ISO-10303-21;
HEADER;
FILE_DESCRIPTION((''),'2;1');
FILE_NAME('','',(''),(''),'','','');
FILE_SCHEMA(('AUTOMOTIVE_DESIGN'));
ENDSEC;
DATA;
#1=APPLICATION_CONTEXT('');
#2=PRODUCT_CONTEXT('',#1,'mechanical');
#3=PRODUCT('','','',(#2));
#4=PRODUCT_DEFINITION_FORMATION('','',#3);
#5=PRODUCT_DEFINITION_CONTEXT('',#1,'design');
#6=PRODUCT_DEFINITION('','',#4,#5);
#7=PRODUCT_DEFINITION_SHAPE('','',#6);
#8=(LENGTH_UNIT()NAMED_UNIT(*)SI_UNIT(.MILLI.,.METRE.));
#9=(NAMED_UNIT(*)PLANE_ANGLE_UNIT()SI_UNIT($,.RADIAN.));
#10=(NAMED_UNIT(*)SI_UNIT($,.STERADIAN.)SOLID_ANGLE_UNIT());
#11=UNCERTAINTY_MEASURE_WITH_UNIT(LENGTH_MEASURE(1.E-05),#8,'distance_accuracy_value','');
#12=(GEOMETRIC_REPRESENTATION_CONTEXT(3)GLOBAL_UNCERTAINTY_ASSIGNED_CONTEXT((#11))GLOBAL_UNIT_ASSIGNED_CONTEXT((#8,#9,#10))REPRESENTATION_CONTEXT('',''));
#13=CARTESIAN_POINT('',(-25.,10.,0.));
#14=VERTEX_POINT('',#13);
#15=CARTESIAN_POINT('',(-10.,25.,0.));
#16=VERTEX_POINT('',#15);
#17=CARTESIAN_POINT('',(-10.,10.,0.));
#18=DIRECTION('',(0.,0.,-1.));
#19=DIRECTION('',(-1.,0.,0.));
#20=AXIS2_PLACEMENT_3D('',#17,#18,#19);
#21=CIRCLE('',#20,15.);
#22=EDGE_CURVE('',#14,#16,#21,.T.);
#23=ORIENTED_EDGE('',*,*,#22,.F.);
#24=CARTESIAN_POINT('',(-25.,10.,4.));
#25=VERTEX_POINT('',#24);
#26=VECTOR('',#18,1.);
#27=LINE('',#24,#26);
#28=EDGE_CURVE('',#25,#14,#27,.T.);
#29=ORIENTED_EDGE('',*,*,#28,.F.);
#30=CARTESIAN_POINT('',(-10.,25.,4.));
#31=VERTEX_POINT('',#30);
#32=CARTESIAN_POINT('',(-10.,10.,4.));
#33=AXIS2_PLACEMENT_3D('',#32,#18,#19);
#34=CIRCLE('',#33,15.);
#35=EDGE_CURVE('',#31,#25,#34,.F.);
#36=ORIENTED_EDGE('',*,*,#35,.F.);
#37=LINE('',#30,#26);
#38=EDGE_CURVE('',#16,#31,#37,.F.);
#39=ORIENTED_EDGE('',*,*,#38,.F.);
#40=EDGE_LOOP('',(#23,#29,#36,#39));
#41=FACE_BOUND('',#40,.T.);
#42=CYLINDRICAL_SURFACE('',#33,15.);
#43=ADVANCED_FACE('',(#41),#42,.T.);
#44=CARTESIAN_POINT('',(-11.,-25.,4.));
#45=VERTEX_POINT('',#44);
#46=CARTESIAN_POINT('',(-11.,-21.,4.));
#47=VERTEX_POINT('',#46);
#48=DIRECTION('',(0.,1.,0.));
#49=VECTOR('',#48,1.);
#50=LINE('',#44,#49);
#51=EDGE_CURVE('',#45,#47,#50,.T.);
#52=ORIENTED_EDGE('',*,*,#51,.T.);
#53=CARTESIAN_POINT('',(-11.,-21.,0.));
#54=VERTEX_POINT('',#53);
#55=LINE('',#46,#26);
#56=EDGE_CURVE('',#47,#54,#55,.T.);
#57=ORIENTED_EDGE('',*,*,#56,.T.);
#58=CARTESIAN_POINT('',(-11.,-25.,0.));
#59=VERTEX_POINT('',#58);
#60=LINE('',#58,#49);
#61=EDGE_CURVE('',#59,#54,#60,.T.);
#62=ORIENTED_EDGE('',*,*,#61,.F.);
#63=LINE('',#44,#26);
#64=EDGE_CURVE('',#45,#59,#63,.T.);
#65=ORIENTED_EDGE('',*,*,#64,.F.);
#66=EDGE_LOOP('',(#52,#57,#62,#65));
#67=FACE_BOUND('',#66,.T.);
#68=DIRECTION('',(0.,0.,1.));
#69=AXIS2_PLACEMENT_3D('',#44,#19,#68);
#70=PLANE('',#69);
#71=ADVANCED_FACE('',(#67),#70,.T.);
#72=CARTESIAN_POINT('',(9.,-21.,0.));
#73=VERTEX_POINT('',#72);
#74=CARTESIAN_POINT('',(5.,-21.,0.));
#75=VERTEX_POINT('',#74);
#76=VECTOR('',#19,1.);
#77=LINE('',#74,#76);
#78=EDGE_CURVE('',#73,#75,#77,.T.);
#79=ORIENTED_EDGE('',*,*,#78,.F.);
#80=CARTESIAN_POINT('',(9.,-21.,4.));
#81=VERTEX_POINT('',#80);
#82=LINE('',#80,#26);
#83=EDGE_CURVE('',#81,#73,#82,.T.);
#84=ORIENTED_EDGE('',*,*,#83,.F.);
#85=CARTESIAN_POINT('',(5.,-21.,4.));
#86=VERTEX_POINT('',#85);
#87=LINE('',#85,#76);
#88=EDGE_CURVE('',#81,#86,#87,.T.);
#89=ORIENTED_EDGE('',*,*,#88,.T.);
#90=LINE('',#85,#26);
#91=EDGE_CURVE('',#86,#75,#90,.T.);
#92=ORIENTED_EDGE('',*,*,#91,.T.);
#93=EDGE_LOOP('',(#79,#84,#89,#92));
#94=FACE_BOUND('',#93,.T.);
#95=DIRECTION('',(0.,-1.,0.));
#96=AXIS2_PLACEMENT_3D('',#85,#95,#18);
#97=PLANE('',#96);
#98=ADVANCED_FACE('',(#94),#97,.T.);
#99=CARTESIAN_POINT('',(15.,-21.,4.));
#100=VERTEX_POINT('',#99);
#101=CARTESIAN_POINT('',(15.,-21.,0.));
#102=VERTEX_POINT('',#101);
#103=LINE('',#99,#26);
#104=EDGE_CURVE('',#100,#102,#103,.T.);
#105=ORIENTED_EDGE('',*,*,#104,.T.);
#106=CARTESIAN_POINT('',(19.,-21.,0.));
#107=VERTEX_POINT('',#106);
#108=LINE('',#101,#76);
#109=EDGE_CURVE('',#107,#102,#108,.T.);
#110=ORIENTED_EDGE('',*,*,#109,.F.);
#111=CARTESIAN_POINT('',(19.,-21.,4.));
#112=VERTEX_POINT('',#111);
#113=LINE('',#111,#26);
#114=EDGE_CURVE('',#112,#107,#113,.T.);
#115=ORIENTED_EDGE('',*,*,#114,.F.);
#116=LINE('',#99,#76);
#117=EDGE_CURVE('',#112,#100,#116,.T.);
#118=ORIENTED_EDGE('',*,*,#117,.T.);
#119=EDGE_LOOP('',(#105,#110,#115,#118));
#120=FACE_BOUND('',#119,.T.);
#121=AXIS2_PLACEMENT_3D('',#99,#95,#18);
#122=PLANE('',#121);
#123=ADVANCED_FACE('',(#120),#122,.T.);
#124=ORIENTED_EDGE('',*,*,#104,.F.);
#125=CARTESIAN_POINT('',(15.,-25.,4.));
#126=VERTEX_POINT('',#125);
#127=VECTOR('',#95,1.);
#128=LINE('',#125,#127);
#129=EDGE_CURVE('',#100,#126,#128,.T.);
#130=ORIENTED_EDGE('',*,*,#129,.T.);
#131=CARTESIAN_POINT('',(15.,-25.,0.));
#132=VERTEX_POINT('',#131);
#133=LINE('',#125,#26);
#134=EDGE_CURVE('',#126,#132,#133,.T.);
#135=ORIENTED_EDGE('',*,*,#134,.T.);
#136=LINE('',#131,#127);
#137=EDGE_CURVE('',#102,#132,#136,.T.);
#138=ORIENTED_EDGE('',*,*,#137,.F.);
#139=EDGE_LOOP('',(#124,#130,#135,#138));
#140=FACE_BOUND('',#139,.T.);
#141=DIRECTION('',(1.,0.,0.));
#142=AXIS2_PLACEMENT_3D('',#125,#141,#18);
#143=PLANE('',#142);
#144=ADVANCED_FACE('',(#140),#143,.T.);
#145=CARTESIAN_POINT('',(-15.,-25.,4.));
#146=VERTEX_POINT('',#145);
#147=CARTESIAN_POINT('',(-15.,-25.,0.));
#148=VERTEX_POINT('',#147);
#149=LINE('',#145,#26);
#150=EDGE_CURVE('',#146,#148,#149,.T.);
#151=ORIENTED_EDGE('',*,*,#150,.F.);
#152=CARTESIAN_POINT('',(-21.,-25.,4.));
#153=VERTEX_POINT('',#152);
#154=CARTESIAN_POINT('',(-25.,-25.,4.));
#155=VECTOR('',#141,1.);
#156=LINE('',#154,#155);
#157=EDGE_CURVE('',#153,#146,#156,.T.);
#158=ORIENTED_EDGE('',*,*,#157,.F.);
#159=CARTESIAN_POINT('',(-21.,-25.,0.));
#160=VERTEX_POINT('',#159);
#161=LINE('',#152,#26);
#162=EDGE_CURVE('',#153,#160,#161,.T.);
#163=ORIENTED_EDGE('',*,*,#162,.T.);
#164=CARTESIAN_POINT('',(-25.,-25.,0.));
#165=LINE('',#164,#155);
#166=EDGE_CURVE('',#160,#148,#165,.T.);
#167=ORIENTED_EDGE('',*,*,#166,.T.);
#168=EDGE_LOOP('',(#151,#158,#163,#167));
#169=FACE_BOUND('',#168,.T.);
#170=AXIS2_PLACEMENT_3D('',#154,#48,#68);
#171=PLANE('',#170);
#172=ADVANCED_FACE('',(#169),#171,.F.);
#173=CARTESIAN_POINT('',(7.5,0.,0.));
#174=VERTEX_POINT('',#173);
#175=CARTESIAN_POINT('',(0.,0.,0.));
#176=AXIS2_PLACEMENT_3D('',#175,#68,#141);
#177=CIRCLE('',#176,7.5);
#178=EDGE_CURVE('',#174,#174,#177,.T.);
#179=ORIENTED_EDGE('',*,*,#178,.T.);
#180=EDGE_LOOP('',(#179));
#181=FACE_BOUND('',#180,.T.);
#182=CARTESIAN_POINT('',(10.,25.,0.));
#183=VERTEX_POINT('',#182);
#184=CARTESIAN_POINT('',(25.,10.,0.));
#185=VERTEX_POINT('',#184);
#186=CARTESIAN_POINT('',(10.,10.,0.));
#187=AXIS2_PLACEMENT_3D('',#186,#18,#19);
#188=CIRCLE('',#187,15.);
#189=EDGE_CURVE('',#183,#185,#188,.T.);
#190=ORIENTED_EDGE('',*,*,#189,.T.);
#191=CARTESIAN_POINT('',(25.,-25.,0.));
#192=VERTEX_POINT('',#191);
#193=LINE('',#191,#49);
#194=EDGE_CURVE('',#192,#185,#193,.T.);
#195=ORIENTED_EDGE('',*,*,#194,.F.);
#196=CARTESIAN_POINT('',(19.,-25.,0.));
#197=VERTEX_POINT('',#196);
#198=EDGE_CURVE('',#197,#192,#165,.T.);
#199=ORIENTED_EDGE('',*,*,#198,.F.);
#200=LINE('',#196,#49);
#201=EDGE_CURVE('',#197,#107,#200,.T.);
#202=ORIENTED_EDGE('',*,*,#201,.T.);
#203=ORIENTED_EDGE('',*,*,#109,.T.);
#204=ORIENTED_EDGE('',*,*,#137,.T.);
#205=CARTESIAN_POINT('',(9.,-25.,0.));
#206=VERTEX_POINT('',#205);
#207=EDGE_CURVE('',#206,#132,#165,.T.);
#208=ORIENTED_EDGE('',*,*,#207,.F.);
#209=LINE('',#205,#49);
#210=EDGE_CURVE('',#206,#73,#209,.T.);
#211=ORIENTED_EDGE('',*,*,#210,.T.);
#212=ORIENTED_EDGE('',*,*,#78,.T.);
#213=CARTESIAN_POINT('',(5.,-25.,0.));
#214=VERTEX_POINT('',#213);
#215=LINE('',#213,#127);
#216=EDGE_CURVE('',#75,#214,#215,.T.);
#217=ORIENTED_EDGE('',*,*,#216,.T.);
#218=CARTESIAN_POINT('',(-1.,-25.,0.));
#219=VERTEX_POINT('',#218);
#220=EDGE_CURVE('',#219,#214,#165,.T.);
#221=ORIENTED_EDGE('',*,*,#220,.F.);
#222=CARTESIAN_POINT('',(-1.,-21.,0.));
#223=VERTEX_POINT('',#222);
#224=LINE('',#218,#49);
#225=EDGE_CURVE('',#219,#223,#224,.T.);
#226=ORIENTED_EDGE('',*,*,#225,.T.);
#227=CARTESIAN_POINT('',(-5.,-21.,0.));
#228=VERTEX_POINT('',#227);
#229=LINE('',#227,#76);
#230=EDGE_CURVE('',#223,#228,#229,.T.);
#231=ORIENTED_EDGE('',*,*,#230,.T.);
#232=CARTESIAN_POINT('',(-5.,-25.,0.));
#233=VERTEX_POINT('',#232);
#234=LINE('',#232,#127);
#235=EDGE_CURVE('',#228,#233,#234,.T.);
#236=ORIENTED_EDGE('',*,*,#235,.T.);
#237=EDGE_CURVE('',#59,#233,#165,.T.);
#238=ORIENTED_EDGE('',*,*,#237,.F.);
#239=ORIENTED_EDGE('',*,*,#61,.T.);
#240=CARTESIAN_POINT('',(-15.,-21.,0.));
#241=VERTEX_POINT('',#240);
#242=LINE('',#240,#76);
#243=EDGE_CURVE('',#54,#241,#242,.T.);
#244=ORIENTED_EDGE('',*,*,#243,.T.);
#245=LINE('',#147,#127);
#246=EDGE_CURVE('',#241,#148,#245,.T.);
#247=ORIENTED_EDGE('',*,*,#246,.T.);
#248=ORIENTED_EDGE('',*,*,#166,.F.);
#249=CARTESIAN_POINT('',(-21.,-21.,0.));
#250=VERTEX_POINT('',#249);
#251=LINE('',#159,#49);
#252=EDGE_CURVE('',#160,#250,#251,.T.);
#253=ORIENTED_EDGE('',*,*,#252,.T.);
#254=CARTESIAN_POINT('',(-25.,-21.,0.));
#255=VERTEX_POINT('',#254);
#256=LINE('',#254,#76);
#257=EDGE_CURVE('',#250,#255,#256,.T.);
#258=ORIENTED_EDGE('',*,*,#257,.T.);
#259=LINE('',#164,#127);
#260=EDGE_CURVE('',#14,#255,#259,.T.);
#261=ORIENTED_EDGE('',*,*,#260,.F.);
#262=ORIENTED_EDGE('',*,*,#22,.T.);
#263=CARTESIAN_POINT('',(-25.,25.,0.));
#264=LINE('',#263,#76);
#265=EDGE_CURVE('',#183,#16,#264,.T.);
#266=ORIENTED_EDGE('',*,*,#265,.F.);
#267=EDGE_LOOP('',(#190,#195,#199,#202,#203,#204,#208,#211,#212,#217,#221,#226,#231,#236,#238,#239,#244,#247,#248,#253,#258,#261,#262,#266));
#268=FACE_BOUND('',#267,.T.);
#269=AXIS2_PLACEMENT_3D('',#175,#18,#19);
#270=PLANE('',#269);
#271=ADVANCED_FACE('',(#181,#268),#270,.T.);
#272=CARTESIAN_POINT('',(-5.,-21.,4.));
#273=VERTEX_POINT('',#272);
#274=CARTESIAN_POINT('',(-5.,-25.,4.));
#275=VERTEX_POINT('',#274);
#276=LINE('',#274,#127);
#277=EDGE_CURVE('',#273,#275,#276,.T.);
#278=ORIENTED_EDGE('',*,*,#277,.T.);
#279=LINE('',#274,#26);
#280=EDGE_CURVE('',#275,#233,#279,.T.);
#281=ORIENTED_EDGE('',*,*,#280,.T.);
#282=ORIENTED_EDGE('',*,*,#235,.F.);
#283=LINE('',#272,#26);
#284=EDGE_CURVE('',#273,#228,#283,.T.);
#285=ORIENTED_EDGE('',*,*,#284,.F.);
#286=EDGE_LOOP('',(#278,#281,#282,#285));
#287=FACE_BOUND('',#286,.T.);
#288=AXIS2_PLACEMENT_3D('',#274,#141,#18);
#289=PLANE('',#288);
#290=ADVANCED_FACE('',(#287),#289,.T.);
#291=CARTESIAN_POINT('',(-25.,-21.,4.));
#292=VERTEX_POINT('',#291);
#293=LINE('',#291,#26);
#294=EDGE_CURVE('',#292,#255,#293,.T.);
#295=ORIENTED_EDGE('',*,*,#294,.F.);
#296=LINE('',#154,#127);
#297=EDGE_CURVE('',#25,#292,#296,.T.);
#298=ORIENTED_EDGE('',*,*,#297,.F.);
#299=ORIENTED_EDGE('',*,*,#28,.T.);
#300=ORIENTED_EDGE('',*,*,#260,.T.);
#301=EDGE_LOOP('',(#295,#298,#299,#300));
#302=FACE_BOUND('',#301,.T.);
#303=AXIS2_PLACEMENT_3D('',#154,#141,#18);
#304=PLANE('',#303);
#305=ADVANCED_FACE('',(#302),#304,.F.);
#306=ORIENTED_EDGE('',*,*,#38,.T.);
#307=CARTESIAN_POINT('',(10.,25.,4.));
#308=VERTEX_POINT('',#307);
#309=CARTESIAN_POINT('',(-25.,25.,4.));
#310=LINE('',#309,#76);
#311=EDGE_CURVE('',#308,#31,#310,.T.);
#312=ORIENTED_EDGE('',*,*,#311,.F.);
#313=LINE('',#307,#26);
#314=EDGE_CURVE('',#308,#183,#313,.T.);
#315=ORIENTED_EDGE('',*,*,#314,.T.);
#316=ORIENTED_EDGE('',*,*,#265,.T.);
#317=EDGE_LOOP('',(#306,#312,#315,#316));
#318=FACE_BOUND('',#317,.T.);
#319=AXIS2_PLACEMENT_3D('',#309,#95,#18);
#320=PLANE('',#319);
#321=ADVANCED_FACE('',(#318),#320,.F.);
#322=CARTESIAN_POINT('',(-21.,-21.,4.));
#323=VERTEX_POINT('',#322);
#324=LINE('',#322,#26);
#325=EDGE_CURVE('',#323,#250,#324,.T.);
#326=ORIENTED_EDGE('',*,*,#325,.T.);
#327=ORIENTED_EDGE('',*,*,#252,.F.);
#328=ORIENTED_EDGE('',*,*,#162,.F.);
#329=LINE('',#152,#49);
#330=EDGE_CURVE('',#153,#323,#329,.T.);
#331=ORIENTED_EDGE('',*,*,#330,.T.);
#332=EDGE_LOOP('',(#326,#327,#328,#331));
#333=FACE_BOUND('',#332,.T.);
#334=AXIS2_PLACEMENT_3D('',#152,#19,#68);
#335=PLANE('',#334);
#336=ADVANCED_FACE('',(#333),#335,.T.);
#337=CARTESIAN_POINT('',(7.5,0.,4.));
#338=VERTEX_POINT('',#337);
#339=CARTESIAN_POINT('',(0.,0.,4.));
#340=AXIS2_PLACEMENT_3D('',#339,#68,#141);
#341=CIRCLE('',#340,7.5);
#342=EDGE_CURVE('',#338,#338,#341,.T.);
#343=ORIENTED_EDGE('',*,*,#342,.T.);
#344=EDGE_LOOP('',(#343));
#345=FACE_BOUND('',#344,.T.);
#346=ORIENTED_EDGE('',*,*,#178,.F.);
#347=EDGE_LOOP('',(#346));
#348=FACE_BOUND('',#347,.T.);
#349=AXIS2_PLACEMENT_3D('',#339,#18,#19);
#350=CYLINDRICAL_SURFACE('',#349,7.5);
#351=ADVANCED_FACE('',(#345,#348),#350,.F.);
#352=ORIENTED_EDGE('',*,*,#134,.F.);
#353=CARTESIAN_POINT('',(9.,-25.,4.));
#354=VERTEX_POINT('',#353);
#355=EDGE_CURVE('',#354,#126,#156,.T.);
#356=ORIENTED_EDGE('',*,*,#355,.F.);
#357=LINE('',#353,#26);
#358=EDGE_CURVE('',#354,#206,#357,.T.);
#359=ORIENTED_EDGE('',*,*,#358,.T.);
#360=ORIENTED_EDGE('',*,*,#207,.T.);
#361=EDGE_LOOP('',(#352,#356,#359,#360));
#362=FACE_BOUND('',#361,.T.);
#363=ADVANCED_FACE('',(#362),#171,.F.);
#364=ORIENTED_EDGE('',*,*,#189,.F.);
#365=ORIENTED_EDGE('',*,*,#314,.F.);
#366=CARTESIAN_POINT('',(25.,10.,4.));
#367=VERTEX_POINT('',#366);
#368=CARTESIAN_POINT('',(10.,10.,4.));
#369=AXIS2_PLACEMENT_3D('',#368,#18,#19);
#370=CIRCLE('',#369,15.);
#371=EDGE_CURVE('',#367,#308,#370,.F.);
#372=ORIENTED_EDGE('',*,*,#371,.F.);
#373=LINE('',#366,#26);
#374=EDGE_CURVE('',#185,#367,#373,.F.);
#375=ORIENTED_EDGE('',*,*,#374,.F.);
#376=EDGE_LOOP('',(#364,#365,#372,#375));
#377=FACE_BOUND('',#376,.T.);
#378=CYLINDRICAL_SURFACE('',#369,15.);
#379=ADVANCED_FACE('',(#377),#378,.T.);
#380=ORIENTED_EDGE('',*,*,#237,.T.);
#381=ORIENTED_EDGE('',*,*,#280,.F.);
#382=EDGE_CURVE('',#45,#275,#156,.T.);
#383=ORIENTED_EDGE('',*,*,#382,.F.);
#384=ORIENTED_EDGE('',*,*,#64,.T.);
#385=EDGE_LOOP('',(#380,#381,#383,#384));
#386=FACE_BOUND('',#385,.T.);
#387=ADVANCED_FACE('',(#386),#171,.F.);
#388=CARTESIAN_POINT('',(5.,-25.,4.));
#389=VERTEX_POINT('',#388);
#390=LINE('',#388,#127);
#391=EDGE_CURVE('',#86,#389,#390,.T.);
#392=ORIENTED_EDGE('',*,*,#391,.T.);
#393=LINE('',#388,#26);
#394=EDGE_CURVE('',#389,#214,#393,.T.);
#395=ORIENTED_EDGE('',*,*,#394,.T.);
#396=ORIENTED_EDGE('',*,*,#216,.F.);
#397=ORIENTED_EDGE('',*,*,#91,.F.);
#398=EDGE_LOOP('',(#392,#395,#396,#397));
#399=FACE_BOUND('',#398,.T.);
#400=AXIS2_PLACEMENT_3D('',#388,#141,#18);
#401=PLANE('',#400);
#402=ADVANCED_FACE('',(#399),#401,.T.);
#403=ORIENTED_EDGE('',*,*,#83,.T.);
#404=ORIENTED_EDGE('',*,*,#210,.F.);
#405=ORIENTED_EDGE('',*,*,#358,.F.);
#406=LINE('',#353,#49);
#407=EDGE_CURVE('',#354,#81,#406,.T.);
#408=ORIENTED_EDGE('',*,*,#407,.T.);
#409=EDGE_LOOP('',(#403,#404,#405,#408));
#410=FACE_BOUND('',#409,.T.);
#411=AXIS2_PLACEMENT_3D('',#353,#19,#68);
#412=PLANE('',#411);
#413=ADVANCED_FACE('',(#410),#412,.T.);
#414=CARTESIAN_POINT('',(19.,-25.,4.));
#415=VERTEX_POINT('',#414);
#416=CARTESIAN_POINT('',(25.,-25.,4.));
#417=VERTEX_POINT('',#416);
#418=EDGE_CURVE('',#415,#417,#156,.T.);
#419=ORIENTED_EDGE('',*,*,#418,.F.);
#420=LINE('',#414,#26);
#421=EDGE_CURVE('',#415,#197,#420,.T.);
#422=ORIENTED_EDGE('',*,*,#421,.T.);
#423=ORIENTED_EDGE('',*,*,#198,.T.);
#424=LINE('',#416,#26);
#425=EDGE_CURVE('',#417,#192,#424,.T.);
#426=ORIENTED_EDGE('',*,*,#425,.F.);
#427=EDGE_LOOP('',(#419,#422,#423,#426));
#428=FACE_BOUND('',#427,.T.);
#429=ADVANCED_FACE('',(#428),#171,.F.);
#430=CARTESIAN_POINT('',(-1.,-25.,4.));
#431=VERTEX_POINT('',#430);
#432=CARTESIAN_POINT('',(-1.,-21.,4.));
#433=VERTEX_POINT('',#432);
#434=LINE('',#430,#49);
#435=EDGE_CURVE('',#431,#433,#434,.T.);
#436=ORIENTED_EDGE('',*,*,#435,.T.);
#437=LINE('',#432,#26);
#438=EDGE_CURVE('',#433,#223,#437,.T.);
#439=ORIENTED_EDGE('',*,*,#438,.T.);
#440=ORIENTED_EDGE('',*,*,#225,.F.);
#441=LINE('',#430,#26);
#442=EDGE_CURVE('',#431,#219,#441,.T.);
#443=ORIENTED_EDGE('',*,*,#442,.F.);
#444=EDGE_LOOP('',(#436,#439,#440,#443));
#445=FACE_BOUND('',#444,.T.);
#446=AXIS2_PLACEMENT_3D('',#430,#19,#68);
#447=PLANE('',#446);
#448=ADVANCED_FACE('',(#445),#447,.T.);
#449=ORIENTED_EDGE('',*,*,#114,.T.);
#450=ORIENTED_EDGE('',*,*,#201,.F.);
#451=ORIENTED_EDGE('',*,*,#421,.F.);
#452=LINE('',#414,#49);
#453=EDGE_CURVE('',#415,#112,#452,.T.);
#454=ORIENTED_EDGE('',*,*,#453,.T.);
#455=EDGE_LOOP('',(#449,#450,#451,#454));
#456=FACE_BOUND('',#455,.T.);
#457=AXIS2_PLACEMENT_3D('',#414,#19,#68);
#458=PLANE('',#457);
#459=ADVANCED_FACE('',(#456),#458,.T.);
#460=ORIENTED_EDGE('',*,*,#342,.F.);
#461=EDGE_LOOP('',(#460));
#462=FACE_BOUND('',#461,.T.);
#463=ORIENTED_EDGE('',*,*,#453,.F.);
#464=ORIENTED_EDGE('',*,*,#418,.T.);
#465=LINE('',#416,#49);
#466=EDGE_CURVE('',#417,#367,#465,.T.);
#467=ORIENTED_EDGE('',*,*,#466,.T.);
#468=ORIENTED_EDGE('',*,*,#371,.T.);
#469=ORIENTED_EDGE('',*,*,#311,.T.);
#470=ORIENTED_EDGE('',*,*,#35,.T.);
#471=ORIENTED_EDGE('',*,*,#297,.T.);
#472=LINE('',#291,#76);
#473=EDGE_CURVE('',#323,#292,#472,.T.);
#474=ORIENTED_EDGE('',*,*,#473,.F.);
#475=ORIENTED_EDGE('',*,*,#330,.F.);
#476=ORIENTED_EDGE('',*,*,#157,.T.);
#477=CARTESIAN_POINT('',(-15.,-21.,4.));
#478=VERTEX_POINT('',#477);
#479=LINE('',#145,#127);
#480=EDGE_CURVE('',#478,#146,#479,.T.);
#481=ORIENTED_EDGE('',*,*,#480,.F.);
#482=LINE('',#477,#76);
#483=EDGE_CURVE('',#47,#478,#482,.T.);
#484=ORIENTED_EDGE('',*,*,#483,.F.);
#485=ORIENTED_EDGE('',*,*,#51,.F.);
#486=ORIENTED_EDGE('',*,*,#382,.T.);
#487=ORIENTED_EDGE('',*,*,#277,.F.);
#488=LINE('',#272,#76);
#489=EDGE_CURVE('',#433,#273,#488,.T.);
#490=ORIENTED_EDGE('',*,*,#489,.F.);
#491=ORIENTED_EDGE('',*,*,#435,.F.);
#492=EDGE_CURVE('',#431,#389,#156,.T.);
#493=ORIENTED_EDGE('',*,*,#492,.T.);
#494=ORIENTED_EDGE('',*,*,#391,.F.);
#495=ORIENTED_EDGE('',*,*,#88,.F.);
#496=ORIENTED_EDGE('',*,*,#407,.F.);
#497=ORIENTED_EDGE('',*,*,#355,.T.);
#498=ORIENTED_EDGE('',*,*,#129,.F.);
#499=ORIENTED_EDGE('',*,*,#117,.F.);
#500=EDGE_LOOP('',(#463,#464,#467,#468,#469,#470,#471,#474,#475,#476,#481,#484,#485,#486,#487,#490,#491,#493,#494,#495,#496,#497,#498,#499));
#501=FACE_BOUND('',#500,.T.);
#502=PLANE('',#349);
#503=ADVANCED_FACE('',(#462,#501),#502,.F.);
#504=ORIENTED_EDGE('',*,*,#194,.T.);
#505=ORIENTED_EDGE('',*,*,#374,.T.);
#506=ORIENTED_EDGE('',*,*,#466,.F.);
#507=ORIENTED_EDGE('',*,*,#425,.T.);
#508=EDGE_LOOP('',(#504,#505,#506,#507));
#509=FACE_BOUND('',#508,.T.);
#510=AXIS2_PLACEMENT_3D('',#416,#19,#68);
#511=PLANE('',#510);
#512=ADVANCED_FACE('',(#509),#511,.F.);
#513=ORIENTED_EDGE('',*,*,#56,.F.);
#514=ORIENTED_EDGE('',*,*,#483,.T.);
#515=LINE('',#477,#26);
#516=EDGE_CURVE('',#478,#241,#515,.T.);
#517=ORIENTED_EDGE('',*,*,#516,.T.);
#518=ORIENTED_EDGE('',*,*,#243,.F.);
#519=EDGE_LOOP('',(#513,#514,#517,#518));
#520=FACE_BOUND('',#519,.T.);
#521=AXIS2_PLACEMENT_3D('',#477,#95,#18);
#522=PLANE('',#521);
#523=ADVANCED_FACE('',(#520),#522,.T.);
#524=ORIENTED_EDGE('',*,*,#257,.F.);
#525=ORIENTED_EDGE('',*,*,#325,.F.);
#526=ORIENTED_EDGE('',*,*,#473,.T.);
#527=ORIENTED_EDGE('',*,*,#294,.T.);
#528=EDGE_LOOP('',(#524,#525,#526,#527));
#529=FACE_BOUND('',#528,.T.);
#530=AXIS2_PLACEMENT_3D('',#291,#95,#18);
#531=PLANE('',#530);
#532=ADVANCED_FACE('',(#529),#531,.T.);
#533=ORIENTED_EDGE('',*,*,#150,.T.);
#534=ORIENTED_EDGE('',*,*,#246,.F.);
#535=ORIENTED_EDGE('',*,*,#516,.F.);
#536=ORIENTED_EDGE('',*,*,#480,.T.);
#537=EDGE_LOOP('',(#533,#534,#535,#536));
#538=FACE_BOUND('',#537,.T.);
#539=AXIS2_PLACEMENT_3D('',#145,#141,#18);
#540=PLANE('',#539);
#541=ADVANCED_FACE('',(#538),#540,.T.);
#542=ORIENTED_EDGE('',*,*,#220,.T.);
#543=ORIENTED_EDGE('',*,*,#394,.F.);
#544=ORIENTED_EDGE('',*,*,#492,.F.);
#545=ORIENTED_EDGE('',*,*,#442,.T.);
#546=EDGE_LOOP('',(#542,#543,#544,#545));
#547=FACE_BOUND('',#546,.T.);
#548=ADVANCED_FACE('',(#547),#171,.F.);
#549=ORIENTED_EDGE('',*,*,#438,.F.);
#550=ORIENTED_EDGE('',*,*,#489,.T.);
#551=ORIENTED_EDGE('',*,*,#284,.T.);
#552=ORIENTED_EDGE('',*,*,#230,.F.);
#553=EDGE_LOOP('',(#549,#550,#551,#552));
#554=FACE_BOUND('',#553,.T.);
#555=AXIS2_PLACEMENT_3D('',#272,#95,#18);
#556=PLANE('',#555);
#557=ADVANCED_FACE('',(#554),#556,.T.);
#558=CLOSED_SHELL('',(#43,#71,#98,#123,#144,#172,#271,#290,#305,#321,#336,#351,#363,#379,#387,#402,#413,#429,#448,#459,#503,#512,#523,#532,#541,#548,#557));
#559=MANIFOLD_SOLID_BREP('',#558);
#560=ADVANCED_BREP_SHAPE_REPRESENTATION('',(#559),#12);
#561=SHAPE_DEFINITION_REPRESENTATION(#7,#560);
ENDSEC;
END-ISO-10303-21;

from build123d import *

# Parameters (mm, degrees)
SKETCH1_W           = 50
SKETCH1_H           = 50
BOSS_EXTRUDE1_DEPTH = 4
SKETCH2_W           = 4
SKETCH2_H           = 4
CUT_EXTRUDE1_DEPTH  = 4
SKETCH3_R           = 7.5
CUT_EXTRUDE2_DEPTH  = 4
FILLET1_R           = 15


with BuildPart() as part:
    # Sketch1 → Boss-Extrude1 (new body)
    with BuildSketch(Plane.XY):
        Rectangle(SKETCH1_W, SKETCH1_H)
    extrude(amount=BOSS_EXTRUDE1_DEPTH)

    # Sketch2 → Cut-Extrude1 (cut)
    with BuildSketch(Plane.XY):
        with Locations((-23, -23)):
            Rectangle(SKETCH2_W, SKETCH2_H)
        with Locations((-13, -23)):
            Rectangle(SKETCH2_W, SKETCH2_H)
        with Locations((-3, -23)):
            Rectangle(SKETCH2_W, SKETCH2_H)
        with Locations((7, -23)):
            Rectangle(SKETCH2_W, SKETCH2_H)
        with Locations((17, -23)):
            Rectangle(SKETCH2_W, SKETCH2_H)
    extrude(amount=CUT_EXTRUDE1_DEPTH, mode=Mode.SUBTRACT)

    # Sketch3 → Cut-Extrude2 (cut)
    with BuildSketch(Plane.XY):
        Circle(SKETCH3_R)
    extrude(amount=CUT_EXTRUDE2_DEPTH, mode=Mode.SUBTRACT)

    # Fillet1
    fillet1_edges = [part.edges().sort_by_distance(p)[0] for p in [
        (-25, 25, 2),
        (25, 25, 2),
    ]]
    fillet(fillet1_edges, radius=FILLET1_R)


solid = part.part
